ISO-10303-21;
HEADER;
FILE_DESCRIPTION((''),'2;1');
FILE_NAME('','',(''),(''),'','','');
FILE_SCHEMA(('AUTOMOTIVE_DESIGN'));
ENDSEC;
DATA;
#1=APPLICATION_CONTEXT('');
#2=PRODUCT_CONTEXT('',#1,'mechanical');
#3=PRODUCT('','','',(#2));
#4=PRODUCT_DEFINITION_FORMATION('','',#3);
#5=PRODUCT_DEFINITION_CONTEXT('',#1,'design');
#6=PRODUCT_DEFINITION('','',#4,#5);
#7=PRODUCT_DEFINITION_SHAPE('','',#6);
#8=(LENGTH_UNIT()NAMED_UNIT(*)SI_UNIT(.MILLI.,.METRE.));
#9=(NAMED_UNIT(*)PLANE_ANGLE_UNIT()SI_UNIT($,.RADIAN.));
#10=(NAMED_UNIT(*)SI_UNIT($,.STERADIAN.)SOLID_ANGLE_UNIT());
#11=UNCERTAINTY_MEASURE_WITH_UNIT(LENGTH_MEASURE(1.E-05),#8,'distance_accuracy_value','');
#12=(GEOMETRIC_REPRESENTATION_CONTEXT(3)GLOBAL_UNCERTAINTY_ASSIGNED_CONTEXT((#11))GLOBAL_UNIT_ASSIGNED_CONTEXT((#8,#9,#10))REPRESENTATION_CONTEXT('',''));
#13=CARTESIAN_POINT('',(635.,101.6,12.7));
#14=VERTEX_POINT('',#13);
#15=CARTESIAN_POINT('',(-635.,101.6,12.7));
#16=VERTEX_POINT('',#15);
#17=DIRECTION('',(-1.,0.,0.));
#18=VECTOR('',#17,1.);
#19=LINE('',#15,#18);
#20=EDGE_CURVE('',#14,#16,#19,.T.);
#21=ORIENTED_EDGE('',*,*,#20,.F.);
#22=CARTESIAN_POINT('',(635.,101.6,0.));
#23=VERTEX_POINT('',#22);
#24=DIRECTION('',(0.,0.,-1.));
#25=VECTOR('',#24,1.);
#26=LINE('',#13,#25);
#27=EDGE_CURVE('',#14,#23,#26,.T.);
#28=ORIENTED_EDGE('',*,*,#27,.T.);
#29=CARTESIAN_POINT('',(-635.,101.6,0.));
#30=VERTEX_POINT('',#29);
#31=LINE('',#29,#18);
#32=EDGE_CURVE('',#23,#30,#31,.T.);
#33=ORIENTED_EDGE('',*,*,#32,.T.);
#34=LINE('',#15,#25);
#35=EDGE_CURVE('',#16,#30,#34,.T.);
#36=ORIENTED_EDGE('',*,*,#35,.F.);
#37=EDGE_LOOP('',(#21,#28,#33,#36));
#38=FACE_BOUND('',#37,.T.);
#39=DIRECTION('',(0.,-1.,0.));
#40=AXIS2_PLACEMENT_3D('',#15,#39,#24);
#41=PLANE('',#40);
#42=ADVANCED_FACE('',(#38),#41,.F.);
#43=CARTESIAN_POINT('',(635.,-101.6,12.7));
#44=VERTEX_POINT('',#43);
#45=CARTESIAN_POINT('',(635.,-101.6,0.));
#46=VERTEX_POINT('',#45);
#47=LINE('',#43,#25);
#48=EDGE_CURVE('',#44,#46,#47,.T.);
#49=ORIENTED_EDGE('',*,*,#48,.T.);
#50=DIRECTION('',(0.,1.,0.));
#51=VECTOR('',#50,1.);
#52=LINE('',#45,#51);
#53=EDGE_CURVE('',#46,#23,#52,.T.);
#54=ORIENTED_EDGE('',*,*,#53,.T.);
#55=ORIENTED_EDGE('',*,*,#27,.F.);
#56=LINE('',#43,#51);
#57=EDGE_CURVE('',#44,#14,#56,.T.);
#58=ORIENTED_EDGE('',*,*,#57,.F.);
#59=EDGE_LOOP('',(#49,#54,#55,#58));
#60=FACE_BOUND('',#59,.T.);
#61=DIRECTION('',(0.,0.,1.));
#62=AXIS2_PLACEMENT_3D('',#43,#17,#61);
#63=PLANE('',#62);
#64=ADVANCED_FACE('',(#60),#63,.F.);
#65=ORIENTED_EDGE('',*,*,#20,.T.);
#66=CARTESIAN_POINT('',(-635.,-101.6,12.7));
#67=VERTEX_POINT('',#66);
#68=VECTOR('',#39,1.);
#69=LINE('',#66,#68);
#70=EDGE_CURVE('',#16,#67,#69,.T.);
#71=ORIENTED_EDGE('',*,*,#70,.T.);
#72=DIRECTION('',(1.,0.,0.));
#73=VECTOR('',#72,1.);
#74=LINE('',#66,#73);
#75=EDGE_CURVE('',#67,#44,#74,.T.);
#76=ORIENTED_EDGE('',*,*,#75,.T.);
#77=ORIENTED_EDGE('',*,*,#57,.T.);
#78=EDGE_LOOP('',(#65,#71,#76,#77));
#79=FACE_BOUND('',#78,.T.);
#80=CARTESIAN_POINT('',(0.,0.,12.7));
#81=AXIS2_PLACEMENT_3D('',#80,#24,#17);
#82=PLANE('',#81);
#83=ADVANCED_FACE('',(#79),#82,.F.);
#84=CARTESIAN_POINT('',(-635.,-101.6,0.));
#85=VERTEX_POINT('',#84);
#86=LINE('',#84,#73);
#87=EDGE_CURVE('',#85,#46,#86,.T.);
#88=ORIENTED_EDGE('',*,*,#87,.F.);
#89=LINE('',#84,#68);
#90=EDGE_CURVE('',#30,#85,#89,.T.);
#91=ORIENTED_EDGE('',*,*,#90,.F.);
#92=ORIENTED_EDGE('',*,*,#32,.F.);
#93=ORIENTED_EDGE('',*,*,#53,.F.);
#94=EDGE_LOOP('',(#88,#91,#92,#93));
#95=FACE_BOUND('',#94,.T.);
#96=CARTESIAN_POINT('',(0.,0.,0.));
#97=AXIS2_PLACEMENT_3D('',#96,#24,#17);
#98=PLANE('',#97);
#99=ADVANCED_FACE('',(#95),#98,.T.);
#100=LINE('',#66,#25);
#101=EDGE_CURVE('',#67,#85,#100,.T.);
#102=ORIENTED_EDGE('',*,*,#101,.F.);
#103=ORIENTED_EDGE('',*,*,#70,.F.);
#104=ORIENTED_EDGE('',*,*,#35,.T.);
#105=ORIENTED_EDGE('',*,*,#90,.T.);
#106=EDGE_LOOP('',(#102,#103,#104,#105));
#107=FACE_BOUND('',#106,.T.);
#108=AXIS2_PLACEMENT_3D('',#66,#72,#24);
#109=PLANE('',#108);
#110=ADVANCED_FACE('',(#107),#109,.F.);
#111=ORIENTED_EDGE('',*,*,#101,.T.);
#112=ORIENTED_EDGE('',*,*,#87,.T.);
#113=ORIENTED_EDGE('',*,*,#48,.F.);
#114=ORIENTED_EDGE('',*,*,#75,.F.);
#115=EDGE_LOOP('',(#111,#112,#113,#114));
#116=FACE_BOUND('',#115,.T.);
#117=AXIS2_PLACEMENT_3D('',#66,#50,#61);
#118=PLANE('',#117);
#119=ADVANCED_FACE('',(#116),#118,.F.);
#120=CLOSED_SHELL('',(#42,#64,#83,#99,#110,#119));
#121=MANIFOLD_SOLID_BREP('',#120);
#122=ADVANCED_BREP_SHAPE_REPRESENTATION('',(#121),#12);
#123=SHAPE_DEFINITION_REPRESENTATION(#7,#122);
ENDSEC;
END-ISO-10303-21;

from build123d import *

# Parameters (mm, degrees)
SKETCH1_W           = 1270
SKETCH1_H           = 203.2
BOSS_EXTRUDE1_DEPTH = 12.7


with BuildPart() as part:
    # Sketch1 → Boss-Extrude1 (new body)
    with BuildSketch(Plane.XY):
        Rectangle(SKETCH1_W, SKETCH1_H)
    extrude(amount=BOSS_EXTRUDE1_DEPTH)


solid = part.part
